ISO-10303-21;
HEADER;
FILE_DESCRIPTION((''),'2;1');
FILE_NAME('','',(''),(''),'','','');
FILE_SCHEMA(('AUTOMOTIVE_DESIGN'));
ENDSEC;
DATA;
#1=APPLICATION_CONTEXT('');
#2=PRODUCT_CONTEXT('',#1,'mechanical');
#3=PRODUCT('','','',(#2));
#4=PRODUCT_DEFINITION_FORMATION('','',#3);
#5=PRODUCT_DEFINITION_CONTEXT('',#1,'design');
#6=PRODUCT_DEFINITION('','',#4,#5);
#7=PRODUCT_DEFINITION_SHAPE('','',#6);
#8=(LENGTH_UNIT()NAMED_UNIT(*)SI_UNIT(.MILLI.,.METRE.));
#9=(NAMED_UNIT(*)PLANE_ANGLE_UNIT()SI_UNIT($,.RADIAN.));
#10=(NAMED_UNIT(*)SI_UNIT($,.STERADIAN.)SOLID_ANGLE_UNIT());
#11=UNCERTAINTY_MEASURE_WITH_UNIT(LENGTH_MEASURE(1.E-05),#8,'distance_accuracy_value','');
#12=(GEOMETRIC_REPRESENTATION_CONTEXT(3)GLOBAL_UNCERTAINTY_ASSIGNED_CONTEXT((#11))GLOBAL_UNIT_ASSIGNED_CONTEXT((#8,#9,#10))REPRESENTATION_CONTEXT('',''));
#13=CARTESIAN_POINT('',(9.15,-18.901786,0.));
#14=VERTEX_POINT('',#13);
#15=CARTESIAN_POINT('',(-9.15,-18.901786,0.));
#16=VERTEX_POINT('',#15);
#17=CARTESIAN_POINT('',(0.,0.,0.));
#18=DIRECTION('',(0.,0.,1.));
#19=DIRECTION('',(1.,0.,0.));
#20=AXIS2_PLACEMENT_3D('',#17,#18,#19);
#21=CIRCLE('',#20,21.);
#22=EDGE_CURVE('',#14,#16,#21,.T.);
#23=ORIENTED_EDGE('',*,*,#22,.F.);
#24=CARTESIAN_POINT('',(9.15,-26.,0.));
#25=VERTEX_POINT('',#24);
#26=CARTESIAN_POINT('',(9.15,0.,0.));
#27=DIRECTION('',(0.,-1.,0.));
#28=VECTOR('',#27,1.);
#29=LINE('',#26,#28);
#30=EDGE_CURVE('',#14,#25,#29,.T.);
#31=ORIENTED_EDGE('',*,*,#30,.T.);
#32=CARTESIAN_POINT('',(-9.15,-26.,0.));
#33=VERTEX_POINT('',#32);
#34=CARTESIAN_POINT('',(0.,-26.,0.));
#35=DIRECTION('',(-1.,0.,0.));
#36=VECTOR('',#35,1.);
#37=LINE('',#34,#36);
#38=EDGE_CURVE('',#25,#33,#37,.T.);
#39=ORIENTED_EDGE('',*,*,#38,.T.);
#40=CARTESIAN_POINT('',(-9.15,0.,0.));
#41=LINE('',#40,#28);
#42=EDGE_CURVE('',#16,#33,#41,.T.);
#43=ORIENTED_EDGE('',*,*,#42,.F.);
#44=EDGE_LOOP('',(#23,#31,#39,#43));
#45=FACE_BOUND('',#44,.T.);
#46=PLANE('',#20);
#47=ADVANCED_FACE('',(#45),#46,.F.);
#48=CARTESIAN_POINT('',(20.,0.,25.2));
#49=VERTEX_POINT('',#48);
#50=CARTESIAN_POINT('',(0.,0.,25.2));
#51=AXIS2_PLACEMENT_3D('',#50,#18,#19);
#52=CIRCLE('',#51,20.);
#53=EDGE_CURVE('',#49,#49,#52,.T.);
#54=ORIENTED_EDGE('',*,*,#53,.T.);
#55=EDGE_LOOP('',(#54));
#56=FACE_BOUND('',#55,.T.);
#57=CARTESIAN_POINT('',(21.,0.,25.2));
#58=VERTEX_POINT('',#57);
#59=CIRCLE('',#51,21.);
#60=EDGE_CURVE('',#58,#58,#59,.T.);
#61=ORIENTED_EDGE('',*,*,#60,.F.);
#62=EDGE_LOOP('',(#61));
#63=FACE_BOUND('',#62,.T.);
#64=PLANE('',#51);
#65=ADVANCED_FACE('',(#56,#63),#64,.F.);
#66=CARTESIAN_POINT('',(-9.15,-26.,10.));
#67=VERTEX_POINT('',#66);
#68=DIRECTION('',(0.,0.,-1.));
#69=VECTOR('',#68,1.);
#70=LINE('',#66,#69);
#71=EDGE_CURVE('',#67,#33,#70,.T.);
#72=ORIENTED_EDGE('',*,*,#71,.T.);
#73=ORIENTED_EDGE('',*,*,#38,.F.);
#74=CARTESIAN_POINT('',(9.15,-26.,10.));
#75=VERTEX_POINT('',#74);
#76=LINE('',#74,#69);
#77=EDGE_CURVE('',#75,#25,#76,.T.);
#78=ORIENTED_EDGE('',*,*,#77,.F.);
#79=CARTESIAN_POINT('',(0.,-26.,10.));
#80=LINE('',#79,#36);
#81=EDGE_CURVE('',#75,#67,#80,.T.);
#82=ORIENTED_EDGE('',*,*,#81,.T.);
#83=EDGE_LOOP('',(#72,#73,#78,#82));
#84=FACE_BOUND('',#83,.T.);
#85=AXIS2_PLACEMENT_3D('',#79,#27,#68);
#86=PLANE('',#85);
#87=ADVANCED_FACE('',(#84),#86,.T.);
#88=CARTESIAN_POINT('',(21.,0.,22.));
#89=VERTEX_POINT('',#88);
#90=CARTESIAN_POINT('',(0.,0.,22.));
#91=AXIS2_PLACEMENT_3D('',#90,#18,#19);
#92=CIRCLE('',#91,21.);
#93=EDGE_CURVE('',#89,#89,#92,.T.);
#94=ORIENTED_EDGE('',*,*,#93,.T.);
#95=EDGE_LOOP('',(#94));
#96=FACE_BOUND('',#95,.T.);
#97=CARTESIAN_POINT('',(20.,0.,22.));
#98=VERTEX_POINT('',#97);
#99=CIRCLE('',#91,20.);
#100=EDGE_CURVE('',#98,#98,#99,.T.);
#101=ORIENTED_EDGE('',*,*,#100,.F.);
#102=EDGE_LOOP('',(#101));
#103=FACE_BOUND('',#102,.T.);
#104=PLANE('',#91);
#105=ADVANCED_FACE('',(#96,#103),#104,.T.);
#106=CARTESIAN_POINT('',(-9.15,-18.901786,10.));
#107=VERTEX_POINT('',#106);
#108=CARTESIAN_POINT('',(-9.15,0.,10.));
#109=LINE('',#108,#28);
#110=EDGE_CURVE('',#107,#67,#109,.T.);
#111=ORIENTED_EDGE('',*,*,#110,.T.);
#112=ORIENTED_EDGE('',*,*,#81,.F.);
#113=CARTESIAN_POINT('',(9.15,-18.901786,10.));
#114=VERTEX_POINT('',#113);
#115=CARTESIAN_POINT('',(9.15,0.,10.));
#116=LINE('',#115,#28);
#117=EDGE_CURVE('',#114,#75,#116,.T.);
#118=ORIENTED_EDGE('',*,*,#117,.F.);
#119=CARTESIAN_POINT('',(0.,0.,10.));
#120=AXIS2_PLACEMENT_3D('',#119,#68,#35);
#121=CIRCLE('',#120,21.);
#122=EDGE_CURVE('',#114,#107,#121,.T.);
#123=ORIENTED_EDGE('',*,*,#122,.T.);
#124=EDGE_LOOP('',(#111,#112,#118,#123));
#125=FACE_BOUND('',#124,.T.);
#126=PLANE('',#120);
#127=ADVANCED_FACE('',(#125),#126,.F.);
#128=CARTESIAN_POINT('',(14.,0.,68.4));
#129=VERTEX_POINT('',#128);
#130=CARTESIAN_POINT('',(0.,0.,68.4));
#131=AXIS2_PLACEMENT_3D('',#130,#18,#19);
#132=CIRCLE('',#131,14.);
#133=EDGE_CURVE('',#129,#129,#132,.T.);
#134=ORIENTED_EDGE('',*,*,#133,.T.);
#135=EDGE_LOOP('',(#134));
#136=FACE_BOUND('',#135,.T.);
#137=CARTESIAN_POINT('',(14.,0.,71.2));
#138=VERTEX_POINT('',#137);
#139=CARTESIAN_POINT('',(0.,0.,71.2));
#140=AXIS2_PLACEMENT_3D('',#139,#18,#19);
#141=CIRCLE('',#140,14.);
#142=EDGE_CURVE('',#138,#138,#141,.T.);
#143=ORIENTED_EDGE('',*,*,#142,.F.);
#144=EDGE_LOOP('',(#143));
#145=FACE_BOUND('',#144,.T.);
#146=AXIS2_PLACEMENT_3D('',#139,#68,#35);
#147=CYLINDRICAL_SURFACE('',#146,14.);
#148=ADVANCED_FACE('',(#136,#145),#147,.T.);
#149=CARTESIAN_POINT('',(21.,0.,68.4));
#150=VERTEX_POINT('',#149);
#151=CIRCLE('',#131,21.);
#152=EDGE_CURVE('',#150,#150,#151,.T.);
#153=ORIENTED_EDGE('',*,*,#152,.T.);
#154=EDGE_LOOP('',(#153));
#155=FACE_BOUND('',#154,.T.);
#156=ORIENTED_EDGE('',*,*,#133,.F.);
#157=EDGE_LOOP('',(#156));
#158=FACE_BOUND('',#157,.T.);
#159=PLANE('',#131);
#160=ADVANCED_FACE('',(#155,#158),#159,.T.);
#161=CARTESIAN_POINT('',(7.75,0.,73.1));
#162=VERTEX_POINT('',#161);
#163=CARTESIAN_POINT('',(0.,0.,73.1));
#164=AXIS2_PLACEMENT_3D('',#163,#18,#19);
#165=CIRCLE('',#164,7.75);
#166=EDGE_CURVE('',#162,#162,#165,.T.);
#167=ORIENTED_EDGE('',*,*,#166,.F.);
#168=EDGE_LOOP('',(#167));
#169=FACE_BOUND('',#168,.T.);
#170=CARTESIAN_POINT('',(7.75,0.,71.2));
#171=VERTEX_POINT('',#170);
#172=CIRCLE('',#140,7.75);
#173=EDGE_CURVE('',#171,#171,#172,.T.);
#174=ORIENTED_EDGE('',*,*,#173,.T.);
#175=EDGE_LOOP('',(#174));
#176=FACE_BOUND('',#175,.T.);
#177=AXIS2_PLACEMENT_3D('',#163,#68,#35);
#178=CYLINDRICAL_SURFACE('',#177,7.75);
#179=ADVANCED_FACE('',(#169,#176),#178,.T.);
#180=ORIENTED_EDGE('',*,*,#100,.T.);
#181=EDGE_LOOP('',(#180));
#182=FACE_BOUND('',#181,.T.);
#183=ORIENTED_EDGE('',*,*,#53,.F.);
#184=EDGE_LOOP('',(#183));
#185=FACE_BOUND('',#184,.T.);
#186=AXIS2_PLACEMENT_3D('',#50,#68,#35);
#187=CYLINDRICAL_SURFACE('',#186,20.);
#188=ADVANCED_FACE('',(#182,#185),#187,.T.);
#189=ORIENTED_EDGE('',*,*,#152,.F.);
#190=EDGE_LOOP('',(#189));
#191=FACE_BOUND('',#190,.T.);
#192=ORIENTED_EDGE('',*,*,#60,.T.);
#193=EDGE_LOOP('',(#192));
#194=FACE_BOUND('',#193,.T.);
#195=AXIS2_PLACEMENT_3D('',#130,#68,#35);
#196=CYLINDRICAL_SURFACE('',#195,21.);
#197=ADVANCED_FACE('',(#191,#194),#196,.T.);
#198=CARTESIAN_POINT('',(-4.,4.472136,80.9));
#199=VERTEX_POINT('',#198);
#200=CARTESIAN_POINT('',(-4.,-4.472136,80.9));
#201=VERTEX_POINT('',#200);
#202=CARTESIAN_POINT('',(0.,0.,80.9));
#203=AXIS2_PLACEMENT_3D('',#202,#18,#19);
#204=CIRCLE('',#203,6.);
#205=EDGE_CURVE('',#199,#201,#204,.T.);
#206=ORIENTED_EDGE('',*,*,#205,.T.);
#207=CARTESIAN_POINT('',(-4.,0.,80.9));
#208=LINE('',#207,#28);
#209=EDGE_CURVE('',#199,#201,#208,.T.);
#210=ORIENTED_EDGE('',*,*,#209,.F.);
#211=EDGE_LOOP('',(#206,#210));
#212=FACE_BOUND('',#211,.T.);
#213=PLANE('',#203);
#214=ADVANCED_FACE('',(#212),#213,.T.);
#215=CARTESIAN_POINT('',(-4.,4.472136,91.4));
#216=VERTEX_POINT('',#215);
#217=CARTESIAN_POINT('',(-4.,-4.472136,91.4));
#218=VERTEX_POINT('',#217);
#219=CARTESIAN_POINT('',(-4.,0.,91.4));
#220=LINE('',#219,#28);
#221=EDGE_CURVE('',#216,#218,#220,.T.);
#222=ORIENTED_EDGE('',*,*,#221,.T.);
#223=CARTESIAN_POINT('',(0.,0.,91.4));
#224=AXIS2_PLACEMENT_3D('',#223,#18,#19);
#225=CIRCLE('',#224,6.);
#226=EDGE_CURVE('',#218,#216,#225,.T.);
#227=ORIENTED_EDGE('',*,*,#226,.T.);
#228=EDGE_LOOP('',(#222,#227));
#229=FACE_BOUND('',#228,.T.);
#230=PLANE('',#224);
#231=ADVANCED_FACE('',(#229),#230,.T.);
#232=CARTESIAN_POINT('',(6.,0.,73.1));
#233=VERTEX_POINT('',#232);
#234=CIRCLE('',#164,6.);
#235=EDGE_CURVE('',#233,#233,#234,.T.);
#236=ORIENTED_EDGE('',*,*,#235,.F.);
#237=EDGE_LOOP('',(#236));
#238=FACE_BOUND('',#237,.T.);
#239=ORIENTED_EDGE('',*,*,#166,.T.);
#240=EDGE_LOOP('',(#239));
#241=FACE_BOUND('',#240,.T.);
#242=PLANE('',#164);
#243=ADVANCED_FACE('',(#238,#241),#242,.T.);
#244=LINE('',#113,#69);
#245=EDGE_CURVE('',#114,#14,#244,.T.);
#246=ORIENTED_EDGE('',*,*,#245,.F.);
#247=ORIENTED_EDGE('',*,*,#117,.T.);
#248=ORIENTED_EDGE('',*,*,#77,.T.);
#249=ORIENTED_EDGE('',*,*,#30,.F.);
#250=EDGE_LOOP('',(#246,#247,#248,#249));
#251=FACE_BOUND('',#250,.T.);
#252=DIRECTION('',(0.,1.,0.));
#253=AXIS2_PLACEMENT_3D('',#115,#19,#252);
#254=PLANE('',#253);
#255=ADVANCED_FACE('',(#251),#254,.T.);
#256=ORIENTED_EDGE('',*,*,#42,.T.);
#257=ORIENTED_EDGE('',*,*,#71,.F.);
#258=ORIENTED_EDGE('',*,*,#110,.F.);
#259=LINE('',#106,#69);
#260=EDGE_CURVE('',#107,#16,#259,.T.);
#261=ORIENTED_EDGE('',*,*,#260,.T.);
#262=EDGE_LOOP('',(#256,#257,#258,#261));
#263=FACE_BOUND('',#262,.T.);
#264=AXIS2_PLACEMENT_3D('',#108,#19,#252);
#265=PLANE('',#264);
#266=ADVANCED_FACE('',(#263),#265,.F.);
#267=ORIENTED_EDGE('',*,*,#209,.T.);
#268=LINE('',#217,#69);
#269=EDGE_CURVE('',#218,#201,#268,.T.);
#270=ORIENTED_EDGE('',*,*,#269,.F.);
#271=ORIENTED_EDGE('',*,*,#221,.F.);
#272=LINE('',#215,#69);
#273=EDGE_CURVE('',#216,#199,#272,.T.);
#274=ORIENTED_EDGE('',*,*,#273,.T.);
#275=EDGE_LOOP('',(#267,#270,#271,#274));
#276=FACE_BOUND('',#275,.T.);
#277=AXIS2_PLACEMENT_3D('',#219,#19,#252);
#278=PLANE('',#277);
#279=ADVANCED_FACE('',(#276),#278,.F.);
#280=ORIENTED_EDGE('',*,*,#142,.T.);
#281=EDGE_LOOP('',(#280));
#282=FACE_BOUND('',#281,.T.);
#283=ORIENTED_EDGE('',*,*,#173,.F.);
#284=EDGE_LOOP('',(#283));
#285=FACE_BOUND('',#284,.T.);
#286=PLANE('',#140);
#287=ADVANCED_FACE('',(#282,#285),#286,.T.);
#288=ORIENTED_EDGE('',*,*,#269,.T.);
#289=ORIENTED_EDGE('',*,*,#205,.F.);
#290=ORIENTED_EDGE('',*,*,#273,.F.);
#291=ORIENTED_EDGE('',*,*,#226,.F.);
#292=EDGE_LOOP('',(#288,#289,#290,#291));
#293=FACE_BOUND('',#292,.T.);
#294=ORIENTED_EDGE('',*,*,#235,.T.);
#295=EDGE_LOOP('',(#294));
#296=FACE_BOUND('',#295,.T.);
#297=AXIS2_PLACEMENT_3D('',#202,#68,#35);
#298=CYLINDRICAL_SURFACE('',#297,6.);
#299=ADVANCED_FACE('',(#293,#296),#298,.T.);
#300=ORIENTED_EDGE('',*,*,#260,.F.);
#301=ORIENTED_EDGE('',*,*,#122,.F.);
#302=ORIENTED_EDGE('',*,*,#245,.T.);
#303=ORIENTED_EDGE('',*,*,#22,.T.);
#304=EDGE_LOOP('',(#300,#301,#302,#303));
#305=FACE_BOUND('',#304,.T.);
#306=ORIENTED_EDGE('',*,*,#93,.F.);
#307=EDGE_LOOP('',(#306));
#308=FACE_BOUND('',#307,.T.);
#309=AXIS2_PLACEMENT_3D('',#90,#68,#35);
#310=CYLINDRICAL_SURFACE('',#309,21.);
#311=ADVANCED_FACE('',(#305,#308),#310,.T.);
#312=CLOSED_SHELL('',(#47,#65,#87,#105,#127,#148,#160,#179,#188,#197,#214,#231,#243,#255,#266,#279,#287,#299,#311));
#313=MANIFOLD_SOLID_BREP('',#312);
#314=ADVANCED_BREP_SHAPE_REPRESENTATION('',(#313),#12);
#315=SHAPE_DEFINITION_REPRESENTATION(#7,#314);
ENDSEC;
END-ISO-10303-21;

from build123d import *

# Parameters (mm, degrees)
ESQUISSE1_R        = 21
BOSS_EXTRU_1_DEPTH = 22
BOSS_EXTRU_2_DEPTH = 10
ESQUISSE3_R        = 20
BOSS_EXTRU_3_DEPTH = 3.2
ESQUISSE4_R        = 21
BOSS_EXTRU_4_DEPTH = 43.2
ESQUISSE5_R        = 14
BOSS_EXTRU_5_DEPTH = 2.8
ESQUISSE6_R        = 7.75
BOSS_EXTRU_6_DEPTH = 1.9
ESQUISSE7_R        = 6
BOSS_EXTRU_7_DEPTH = 7.8
BOSS_EXTRU_8_DEPTH = 10.5


with BuildPart() as part:
    # Esquisse1 → Boss.-Extru.1 (new body)
    with BuildSketch(Plane.XY):
        Circle(ESQUISSE1_R)
    extrude(amount=BOSS_EXTRU_1_DEPTH)

    # Esquisse2 → Boss.-Extru.2 (add)
    with BuildSketch(Plane(origin=(0, 0, 0), x_dir=(-1, 0, 0), z_dir=(0, 0, -1))):
        with BuildLine():
            ThreePointArc((9.15, -18.90178563), (0, -21), (-9.15, -18.90178563))
            Line((-9.15, -18.90178563), (-9.15, -26))
            Line((-9.15, -26), (9.15, -26))
            Line((9.15, -26), (9.15, -18.90178563))
        make_face()
    extrude(amount=-BOSS_EXTRU_2_DEPTH)

    # Esquisse3 → Boss.-Extru.3 (add)
    with BuildSketch(Plane.XY.offset(22)):
        Circle(ESQUISSE3_R)
    extrude(amount=BOSS_EXTRU_3_DEPTH)

    # Esquisse4 → Boss.-Extru.4 (add)
    with BuildSketch(Plane.XY.offset(25.2)):
        Circle(ESQUISSE4_R)
    extrude(amount=BOSS_EXTRU_4_DEPTH)

    # Esquisse5 → Boss.-Extru.5 (add)
    with BuildSketch(Plane.XY.offset(68.4)):
        Circle(ESQUISSE5_R)
    extrude(amount=BOSS_EXTRU_5_DEPTH)

    # Esquisse6 → Boss.-Extru.6 (add)
    with BuildSketch(Plane.XY.offset(71.2)):
        Circle(ESQUISSE6_R)
    extrude(amount=BOSS_EXTRU_6_DEPTH)

    # Esquisse7 → Boss.-Extru.7 (add)
    with BuildSketch(Plane.XY.offset(73.1)):
        Circle(ESQUISSE7_R)
    extrude(amount=BOSS_EXTRU_7_DEPTH)

    # Esquisse8 → Boss.-Extru.8 (add)
    with BuildSketch(Plane.XY.offset(80.9)):
        with BuildLine():
            ThreePointArc((6, 0), (2.449489743, 5.477225575), (-4, 4.472135955))
            Line((-4, 4.472135955), (-4, -4.472135955))
            ThreePointArc((-4, -4.472135955), (2.449489743, -5.477225575), (6, 0))
        make_face()
    extrude(amount=BOSS_EXTRU_8_DEPTH)


solid = part.part
